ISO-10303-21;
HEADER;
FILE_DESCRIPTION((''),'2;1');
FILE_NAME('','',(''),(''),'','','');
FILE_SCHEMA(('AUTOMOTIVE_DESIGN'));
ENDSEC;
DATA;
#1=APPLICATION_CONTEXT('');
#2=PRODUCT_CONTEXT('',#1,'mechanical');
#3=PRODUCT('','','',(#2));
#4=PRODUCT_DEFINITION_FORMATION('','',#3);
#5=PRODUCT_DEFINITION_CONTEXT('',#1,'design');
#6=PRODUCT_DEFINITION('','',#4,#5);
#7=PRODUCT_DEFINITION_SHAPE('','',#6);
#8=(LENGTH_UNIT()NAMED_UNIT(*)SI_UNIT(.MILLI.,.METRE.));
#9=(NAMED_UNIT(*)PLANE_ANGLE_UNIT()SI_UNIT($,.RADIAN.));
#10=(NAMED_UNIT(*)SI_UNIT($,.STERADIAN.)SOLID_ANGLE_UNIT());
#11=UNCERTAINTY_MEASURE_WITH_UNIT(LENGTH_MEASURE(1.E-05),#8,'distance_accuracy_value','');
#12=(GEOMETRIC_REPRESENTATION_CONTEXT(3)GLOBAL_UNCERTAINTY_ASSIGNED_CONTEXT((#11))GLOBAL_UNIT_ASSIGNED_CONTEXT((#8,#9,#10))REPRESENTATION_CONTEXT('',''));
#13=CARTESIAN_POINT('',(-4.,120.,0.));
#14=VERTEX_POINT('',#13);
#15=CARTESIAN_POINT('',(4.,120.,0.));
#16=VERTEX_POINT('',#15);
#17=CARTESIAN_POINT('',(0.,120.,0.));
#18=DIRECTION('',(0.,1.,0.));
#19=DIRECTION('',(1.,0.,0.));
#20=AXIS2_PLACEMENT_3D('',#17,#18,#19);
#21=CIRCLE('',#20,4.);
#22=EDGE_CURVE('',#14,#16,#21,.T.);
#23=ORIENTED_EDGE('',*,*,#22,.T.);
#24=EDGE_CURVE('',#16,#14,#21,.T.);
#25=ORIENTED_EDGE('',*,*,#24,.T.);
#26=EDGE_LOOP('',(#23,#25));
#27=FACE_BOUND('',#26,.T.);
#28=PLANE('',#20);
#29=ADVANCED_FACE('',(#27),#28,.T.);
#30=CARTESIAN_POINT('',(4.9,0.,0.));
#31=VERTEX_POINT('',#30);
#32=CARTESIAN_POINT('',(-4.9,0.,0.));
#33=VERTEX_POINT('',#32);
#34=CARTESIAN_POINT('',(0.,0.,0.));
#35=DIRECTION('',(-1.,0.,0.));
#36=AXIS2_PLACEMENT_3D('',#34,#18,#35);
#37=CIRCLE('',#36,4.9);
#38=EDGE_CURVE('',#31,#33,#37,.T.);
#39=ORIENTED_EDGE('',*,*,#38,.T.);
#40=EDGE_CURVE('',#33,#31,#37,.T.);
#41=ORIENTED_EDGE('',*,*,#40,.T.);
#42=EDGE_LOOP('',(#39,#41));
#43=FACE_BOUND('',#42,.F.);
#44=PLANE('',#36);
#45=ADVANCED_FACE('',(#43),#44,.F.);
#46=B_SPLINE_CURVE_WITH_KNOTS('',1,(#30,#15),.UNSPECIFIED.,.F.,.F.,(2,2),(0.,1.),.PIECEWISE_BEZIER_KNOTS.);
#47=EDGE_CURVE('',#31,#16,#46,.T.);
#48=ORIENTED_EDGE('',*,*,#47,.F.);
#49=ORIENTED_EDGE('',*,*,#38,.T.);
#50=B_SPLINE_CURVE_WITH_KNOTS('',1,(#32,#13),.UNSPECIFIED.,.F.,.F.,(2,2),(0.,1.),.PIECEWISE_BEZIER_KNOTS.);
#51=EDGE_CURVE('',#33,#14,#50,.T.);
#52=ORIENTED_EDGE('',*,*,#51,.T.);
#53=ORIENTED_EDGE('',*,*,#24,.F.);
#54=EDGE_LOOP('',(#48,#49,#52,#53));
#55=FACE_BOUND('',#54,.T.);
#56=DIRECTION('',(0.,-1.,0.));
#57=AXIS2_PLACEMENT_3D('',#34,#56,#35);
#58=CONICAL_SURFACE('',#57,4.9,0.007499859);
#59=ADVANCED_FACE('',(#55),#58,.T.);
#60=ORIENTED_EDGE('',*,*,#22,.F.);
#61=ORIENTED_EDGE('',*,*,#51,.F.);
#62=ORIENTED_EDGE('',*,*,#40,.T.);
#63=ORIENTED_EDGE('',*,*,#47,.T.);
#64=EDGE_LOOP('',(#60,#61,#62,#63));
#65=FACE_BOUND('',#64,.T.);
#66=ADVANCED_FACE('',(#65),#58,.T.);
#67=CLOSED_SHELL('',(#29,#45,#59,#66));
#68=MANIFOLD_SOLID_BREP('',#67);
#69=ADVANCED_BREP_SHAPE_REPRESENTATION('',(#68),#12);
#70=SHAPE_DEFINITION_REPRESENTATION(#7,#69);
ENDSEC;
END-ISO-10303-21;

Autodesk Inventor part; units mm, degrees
ref_plane "YZ Plane" through (0, 0, 0) normal (1, 0, 0) x (0, 1, 0)
ref_plane "XZ Plane" through (0, 0, 0) normal (0, 1, 0) x (-1, 0, 0)
ref_plane "XY Plane" through (0, 0, 0) normal (0, 0, 1) x (1, 0, 0)
sketch "Sketch1" plane through (0, 0, 0) normal (0, 1, 0) x (-1, 0, 0)
  circle A0 centre (0, 0) radius 4.9
  dimension "d0" = 9.8
ref_plane "Work Plane1" through (0, 120, 0) normal (0, 1, 0) x (1, 0, 0)
sketch "Sketch2" plane through (0, 120, 0) normal (0, 1, 0) x (1, 0, 0)
  circle A0 centre (0, 0) radius 4
  dimension "d3" = 8
loft "Loft1" add profiles "Sketch1", "Sketch2"
properties part number "pinde"
